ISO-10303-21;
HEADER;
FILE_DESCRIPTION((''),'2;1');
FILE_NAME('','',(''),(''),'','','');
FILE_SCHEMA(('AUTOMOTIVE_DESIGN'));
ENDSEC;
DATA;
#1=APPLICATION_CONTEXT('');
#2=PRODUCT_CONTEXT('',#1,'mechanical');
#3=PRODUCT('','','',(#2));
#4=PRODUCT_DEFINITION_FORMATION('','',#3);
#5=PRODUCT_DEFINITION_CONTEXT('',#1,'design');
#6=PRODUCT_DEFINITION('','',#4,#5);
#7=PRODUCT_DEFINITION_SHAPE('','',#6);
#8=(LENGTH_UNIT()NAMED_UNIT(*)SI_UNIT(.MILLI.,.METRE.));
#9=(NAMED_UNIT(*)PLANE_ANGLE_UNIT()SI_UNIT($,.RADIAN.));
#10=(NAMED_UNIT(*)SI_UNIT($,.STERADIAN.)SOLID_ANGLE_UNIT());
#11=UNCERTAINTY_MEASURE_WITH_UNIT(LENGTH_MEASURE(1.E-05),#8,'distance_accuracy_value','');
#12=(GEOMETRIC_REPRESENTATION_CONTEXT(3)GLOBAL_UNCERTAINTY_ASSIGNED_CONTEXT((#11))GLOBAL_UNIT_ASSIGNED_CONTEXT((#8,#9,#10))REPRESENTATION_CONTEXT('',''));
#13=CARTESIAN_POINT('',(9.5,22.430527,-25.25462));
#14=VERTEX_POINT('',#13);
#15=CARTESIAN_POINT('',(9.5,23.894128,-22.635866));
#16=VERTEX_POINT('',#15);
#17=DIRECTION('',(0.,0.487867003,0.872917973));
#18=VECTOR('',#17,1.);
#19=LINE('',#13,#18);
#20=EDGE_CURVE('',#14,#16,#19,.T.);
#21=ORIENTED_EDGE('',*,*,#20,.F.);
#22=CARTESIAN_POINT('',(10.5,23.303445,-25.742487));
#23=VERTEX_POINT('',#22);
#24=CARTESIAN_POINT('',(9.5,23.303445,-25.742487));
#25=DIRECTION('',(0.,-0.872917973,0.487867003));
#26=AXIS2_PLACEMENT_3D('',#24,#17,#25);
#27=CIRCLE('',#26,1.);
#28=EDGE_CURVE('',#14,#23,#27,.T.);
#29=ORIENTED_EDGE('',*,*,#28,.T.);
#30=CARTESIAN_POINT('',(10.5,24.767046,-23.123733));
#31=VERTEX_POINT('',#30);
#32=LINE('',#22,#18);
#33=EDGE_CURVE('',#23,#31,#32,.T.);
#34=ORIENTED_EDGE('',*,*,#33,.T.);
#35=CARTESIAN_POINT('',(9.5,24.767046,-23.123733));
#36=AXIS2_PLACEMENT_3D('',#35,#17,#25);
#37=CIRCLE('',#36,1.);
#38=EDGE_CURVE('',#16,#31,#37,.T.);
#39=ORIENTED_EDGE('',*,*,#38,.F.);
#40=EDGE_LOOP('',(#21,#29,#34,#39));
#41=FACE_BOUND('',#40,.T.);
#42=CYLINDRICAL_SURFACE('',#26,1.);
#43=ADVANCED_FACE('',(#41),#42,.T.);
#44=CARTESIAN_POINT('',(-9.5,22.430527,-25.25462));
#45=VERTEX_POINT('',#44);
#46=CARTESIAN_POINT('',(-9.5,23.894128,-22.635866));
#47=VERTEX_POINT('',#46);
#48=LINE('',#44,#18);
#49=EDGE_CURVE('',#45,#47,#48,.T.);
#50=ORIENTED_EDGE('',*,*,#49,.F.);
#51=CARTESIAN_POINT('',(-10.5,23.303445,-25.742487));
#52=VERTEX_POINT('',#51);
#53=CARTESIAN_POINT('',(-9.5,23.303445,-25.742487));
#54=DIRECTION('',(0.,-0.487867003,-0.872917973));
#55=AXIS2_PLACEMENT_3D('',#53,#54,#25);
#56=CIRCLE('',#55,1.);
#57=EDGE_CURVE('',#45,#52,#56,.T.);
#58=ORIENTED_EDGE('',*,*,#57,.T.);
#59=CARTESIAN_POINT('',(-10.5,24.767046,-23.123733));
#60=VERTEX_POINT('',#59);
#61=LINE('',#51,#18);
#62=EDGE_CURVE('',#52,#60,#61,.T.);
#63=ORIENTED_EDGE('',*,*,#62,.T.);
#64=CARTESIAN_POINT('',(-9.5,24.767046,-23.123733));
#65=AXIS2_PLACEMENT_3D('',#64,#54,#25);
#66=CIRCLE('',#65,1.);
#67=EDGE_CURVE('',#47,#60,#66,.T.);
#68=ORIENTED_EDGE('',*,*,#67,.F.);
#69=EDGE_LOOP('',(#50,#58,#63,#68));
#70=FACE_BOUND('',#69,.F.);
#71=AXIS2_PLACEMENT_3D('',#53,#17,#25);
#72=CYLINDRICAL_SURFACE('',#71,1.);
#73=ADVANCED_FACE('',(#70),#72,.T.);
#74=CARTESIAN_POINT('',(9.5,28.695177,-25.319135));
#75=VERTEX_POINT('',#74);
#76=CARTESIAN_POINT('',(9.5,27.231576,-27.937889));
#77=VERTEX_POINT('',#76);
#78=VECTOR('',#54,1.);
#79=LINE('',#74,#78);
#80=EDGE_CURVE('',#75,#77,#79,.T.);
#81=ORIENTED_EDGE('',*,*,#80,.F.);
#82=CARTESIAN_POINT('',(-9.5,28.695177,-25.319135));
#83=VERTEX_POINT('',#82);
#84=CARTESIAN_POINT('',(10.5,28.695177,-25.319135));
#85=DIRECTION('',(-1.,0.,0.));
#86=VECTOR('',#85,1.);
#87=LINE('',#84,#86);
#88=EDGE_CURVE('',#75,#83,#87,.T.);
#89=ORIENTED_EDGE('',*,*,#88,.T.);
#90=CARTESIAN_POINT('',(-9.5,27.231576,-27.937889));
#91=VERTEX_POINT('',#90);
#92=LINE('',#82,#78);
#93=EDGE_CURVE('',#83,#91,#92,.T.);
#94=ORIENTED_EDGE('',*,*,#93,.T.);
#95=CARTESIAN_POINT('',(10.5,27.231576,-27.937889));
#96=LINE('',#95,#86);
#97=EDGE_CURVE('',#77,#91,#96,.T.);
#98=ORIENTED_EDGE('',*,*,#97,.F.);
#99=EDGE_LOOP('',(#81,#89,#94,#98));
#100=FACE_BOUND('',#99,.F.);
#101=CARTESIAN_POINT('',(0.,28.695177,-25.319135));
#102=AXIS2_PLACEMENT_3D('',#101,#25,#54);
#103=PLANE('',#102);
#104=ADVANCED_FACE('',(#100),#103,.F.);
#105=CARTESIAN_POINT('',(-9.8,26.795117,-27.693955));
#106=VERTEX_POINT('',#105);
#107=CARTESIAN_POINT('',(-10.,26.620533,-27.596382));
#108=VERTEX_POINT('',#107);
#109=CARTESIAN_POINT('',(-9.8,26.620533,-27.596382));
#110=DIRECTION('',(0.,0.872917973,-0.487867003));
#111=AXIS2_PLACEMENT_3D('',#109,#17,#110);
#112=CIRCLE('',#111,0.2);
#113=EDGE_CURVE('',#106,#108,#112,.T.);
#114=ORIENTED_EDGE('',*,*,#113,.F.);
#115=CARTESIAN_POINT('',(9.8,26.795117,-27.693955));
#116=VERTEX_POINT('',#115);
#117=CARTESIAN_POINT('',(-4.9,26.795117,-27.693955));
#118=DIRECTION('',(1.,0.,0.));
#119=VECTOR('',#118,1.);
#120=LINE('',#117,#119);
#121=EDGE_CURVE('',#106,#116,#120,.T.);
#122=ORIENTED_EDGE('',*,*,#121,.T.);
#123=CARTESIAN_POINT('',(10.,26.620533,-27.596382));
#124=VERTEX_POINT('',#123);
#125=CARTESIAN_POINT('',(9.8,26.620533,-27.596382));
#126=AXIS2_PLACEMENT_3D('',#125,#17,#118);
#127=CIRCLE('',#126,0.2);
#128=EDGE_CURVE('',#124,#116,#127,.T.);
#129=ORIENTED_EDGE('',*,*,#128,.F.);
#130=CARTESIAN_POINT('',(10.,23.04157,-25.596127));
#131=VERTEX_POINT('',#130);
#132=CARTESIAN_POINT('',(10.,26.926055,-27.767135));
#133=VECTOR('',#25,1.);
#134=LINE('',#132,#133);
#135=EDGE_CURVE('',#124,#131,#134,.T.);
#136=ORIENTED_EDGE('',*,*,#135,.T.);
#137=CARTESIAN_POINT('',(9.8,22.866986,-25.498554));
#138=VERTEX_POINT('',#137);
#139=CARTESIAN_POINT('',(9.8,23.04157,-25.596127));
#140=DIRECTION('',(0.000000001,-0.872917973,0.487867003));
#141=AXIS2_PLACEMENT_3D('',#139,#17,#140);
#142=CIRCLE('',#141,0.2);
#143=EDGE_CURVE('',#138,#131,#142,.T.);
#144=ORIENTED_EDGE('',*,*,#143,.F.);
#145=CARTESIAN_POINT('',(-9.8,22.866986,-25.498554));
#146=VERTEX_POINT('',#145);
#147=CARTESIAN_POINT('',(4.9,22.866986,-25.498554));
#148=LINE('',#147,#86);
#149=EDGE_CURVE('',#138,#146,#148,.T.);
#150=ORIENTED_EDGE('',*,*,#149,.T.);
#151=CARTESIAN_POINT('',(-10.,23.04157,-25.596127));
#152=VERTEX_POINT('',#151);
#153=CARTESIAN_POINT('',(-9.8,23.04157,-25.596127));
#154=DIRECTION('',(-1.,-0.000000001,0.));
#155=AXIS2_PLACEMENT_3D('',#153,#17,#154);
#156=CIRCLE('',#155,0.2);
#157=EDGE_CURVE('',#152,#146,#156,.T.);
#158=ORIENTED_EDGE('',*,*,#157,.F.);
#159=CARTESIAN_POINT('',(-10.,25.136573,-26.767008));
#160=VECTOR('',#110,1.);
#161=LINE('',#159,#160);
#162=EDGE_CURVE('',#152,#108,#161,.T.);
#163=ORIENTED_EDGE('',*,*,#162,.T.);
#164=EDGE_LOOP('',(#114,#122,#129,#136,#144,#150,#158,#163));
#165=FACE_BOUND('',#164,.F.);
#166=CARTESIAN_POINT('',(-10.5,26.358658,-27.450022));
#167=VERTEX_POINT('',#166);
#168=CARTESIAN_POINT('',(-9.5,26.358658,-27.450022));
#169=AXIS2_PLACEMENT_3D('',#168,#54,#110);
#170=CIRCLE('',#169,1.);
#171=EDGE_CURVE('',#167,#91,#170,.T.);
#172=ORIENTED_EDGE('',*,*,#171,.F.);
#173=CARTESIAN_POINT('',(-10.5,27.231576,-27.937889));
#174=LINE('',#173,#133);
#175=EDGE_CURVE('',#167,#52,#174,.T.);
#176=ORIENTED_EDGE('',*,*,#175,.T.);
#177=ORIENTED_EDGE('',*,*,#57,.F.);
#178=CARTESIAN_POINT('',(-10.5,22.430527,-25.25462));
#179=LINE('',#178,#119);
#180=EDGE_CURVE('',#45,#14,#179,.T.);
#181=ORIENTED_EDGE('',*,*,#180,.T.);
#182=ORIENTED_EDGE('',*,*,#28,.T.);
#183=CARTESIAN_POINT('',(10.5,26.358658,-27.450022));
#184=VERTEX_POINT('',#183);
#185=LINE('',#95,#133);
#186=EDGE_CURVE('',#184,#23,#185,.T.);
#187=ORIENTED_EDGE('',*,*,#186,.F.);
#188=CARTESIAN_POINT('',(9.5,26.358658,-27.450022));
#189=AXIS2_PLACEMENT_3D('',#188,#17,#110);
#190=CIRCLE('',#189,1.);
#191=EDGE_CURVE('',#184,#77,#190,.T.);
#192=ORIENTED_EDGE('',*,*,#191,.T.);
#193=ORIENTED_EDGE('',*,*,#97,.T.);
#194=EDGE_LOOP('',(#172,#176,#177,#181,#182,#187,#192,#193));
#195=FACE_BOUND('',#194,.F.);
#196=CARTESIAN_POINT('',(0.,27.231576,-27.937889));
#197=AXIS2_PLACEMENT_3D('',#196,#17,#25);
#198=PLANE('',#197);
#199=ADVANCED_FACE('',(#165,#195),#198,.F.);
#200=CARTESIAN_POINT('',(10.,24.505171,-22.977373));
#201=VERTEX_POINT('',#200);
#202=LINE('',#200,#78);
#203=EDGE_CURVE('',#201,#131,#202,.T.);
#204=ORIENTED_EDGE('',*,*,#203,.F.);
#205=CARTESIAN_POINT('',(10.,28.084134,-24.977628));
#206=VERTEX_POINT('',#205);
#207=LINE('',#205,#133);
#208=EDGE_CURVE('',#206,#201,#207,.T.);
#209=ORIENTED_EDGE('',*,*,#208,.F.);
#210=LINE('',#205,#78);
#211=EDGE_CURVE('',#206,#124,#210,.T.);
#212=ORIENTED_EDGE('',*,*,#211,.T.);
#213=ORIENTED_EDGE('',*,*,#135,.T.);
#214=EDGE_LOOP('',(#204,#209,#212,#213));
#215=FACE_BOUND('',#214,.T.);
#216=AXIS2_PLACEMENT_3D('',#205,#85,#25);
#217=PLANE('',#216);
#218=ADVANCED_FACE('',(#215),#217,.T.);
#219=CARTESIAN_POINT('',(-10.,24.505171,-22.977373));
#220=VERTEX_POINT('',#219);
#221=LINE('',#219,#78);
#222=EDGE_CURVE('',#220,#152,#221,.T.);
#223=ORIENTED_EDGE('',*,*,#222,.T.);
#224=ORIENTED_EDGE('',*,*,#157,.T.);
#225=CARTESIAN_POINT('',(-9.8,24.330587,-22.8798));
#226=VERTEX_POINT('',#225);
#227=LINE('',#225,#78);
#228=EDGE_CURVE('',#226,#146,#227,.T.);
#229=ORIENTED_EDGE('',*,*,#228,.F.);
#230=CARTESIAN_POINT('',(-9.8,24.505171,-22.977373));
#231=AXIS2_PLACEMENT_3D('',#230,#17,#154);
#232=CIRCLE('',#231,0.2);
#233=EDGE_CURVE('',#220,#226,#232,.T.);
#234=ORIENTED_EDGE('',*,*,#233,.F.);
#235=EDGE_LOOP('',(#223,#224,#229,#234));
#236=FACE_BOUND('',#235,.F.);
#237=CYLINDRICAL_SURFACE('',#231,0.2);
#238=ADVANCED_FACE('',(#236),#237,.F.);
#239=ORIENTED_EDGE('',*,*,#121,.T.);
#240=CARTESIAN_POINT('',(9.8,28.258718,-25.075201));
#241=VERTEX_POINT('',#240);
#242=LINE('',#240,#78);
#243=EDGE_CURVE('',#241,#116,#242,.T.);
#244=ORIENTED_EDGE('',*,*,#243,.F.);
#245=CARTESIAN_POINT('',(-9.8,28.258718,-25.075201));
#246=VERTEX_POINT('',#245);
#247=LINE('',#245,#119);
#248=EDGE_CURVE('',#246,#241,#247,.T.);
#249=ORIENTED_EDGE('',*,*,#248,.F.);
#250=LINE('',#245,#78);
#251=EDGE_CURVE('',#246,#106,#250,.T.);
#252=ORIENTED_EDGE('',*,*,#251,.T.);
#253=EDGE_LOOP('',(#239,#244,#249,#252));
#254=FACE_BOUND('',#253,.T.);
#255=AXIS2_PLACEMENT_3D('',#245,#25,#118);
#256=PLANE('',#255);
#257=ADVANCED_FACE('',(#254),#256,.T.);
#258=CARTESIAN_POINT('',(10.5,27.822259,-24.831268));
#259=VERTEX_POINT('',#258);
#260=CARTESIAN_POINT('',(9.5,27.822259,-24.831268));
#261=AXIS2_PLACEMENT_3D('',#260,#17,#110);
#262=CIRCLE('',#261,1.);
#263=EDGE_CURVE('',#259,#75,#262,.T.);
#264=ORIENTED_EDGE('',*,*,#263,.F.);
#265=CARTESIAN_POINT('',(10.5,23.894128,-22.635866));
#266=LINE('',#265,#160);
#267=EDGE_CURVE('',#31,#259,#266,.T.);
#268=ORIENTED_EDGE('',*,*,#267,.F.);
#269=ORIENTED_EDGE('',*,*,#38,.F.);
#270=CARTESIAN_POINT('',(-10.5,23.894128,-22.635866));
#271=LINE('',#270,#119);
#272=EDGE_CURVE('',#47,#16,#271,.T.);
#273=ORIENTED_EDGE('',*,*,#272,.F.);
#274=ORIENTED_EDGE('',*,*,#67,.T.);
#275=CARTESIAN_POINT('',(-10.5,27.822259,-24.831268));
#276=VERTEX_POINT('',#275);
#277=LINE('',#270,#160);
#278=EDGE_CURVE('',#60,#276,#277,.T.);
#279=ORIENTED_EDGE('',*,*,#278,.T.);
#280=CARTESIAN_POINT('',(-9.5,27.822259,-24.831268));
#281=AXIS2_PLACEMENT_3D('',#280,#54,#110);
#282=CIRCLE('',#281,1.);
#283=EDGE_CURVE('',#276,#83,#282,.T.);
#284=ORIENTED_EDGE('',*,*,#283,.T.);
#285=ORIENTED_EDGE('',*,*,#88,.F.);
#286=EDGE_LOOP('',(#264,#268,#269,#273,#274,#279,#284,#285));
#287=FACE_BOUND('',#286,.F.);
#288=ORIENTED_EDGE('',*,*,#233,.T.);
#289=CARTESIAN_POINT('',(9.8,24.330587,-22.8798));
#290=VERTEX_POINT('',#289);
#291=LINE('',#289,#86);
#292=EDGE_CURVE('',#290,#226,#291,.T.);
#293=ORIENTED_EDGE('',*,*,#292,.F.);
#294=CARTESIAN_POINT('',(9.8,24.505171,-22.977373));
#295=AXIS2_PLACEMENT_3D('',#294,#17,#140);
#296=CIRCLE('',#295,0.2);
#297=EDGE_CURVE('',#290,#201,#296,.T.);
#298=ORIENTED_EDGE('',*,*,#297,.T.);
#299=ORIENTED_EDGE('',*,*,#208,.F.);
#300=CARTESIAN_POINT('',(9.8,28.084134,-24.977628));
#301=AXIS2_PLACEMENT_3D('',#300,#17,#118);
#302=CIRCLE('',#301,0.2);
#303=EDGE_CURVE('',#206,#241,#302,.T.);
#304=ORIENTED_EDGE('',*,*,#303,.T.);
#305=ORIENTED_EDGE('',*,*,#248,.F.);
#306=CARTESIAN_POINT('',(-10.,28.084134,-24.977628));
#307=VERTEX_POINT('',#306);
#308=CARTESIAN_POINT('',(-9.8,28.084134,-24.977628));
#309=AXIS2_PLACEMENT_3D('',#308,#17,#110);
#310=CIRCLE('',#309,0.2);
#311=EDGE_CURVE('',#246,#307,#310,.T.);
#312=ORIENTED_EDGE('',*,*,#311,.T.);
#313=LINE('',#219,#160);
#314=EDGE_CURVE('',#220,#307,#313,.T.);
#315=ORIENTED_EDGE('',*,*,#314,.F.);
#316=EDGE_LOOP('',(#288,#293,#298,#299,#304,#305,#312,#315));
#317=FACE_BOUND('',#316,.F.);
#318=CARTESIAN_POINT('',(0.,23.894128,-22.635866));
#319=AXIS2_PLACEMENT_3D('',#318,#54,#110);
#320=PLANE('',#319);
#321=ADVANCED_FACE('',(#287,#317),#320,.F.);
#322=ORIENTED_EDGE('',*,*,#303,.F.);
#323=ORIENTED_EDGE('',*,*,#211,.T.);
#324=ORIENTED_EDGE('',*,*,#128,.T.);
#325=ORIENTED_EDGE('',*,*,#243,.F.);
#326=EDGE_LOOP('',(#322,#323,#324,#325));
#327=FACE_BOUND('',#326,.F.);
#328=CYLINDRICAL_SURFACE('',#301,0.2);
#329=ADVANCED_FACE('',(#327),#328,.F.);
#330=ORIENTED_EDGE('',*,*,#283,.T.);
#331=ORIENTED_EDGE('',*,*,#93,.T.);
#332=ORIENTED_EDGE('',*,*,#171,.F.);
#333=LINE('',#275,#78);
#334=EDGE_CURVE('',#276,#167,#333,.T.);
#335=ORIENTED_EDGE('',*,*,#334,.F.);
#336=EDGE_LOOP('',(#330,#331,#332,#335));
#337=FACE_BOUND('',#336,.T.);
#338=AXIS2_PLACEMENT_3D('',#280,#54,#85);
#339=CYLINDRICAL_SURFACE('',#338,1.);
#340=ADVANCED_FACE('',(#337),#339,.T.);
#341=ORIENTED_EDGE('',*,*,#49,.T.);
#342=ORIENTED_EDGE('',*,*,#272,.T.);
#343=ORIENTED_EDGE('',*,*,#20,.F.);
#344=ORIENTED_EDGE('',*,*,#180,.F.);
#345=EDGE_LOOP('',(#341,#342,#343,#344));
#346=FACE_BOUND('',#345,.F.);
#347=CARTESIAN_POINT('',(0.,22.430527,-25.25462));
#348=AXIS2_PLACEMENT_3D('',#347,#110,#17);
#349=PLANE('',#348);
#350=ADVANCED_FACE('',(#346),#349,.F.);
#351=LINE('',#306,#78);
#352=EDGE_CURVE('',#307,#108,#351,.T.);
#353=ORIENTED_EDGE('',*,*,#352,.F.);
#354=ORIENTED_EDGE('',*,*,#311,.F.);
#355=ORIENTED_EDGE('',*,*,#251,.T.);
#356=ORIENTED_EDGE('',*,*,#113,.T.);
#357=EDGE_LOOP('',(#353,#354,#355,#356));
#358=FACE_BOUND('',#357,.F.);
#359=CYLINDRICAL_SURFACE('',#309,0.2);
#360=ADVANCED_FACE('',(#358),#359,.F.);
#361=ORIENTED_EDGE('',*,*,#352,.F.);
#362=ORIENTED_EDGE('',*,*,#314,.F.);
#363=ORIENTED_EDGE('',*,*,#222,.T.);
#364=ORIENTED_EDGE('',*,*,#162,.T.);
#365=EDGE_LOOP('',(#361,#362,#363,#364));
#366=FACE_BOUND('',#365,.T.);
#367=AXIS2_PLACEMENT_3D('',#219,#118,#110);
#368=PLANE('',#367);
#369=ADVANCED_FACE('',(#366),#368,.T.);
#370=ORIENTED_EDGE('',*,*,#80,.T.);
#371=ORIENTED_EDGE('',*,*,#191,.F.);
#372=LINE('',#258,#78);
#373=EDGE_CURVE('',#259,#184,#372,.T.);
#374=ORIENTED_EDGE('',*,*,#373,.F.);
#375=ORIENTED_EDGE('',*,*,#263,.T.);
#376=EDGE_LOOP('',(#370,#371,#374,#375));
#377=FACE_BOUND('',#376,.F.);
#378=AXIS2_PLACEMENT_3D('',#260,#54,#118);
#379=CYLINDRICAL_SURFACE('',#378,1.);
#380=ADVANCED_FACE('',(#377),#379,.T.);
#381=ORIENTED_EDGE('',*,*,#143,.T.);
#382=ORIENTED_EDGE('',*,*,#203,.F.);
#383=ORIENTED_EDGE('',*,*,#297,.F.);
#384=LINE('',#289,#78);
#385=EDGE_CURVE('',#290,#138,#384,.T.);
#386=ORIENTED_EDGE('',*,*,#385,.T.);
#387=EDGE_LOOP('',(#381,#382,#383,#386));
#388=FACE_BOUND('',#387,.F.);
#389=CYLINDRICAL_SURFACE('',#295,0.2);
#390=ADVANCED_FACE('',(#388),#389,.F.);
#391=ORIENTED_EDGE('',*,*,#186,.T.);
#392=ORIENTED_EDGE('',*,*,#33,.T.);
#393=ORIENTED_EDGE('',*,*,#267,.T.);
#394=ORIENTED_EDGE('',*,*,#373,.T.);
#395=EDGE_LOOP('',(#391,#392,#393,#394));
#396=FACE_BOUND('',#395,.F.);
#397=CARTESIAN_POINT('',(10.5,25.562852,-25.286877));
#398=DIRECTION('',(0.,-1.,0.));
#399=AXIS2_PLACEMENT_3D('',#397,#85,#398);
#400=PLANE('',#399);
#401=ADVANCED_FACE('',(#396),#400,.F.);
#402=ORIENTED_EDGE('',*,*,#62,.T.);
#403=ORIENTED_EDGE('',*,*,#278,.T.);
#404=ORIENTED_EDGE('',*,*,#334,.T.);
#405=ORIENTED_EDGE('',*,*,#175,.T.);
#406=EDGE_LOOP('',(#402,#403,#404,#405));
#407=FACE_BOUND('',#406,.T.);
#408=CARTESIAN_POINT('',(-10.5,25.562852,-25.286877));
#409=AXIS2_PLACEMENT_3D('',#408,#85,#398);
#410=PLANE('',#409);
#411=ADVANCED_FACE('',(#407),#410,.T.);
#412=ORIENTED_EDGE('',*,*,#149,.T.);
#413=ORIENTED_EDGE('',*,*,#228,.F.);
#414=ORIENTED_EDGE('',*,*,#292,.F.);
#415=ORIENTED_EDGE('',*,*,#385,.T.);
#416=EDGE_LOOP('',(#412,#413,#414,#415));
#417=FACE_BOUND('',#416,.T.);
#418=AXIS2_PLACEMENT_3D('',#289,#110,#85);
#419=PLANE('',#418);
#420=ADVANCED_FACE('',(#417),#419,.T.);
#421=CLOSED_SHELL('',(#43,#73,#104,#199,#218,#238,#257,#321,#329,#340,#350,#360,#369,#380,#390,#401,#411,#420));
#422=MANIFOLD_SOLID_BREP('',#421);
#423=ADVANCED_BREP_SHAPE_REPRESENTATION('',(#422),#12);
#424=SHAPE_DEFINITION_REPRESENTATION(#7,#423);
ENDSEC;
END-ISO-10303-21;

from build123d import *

# Parameters (mm, degrees)
PAD011_DEPTH    = 10.5
POCKET010_DEPTH = 5
FILLET005_R     = 1


with BuildPart() as part:
    # Sketch055 → Pad011 (new body, symmetric)
    with BuildSketch(Plane.YZ):
        Polygon((23.8941280101, -22.635866082), (28.6951768598, -25.3191346005), (27.2315758497, -27.9378885186), (22.430527, -25.25462), align=None)
    extrude(amount=PAD011_DEPTH, both=True)

    # Sketch056 (on Face1 of Pad011) → Pocket010 (cut)
    with BuildSketch(Plane(origin=(0, -3.9527461257, -7.0724666982), x_dir=(0, -0.8729179727, 0.4878670034), z_dir=(0, 0.4878670034, 0.8729179727))):
        with BuildLine():
            Line((-36.7009059356, 10), (-32.6009059356, 10))
            ThreePointArc((-32.4009059356, 9.8), (-32.4594845794, 9.9414213562), (-32.6009059356, 10))
            Line((-32.4009059356, 9.8), (-32.4009059356, -9.8))
            ThreePointArc((-32.6009059356, -10), (-32.4594845794, -9.9414213562), (-32.4009059356, -9.8))
            Line((-32.6009059356, -10), (-36.7009059356, -10))
            ThreePointArc((-36.9009059356, -9.8), (-36.8423272919, -9.9414213562), (-36.7009059356, -10))
            Line((-36.9009059356, -9.8), (-36.9009059356, 9.8))
            ThreePointArc((-36.7009059356, 10), (-36.8423272919, 9.9414213562), (-36.9009059356, 9.8))
        make_face()
    extrude(amount=-POCKET010_DEPTH, mode=Mode.SUBTRACT)

    # Fillet005
    fillet005_edges = [part.edges().sort_by_distance(p)[0] for p in [
        (10.5, 27.963376, -26.628512),
        (10.5, 23.162328, -23.945243),
        (-10.5, 27.963376, -26.628512),
        (-10.5, 23.162328, -23.945243),
    ]]
    fillet(fillet005_edges, radius=FILLET005_R)


solid = part.part
